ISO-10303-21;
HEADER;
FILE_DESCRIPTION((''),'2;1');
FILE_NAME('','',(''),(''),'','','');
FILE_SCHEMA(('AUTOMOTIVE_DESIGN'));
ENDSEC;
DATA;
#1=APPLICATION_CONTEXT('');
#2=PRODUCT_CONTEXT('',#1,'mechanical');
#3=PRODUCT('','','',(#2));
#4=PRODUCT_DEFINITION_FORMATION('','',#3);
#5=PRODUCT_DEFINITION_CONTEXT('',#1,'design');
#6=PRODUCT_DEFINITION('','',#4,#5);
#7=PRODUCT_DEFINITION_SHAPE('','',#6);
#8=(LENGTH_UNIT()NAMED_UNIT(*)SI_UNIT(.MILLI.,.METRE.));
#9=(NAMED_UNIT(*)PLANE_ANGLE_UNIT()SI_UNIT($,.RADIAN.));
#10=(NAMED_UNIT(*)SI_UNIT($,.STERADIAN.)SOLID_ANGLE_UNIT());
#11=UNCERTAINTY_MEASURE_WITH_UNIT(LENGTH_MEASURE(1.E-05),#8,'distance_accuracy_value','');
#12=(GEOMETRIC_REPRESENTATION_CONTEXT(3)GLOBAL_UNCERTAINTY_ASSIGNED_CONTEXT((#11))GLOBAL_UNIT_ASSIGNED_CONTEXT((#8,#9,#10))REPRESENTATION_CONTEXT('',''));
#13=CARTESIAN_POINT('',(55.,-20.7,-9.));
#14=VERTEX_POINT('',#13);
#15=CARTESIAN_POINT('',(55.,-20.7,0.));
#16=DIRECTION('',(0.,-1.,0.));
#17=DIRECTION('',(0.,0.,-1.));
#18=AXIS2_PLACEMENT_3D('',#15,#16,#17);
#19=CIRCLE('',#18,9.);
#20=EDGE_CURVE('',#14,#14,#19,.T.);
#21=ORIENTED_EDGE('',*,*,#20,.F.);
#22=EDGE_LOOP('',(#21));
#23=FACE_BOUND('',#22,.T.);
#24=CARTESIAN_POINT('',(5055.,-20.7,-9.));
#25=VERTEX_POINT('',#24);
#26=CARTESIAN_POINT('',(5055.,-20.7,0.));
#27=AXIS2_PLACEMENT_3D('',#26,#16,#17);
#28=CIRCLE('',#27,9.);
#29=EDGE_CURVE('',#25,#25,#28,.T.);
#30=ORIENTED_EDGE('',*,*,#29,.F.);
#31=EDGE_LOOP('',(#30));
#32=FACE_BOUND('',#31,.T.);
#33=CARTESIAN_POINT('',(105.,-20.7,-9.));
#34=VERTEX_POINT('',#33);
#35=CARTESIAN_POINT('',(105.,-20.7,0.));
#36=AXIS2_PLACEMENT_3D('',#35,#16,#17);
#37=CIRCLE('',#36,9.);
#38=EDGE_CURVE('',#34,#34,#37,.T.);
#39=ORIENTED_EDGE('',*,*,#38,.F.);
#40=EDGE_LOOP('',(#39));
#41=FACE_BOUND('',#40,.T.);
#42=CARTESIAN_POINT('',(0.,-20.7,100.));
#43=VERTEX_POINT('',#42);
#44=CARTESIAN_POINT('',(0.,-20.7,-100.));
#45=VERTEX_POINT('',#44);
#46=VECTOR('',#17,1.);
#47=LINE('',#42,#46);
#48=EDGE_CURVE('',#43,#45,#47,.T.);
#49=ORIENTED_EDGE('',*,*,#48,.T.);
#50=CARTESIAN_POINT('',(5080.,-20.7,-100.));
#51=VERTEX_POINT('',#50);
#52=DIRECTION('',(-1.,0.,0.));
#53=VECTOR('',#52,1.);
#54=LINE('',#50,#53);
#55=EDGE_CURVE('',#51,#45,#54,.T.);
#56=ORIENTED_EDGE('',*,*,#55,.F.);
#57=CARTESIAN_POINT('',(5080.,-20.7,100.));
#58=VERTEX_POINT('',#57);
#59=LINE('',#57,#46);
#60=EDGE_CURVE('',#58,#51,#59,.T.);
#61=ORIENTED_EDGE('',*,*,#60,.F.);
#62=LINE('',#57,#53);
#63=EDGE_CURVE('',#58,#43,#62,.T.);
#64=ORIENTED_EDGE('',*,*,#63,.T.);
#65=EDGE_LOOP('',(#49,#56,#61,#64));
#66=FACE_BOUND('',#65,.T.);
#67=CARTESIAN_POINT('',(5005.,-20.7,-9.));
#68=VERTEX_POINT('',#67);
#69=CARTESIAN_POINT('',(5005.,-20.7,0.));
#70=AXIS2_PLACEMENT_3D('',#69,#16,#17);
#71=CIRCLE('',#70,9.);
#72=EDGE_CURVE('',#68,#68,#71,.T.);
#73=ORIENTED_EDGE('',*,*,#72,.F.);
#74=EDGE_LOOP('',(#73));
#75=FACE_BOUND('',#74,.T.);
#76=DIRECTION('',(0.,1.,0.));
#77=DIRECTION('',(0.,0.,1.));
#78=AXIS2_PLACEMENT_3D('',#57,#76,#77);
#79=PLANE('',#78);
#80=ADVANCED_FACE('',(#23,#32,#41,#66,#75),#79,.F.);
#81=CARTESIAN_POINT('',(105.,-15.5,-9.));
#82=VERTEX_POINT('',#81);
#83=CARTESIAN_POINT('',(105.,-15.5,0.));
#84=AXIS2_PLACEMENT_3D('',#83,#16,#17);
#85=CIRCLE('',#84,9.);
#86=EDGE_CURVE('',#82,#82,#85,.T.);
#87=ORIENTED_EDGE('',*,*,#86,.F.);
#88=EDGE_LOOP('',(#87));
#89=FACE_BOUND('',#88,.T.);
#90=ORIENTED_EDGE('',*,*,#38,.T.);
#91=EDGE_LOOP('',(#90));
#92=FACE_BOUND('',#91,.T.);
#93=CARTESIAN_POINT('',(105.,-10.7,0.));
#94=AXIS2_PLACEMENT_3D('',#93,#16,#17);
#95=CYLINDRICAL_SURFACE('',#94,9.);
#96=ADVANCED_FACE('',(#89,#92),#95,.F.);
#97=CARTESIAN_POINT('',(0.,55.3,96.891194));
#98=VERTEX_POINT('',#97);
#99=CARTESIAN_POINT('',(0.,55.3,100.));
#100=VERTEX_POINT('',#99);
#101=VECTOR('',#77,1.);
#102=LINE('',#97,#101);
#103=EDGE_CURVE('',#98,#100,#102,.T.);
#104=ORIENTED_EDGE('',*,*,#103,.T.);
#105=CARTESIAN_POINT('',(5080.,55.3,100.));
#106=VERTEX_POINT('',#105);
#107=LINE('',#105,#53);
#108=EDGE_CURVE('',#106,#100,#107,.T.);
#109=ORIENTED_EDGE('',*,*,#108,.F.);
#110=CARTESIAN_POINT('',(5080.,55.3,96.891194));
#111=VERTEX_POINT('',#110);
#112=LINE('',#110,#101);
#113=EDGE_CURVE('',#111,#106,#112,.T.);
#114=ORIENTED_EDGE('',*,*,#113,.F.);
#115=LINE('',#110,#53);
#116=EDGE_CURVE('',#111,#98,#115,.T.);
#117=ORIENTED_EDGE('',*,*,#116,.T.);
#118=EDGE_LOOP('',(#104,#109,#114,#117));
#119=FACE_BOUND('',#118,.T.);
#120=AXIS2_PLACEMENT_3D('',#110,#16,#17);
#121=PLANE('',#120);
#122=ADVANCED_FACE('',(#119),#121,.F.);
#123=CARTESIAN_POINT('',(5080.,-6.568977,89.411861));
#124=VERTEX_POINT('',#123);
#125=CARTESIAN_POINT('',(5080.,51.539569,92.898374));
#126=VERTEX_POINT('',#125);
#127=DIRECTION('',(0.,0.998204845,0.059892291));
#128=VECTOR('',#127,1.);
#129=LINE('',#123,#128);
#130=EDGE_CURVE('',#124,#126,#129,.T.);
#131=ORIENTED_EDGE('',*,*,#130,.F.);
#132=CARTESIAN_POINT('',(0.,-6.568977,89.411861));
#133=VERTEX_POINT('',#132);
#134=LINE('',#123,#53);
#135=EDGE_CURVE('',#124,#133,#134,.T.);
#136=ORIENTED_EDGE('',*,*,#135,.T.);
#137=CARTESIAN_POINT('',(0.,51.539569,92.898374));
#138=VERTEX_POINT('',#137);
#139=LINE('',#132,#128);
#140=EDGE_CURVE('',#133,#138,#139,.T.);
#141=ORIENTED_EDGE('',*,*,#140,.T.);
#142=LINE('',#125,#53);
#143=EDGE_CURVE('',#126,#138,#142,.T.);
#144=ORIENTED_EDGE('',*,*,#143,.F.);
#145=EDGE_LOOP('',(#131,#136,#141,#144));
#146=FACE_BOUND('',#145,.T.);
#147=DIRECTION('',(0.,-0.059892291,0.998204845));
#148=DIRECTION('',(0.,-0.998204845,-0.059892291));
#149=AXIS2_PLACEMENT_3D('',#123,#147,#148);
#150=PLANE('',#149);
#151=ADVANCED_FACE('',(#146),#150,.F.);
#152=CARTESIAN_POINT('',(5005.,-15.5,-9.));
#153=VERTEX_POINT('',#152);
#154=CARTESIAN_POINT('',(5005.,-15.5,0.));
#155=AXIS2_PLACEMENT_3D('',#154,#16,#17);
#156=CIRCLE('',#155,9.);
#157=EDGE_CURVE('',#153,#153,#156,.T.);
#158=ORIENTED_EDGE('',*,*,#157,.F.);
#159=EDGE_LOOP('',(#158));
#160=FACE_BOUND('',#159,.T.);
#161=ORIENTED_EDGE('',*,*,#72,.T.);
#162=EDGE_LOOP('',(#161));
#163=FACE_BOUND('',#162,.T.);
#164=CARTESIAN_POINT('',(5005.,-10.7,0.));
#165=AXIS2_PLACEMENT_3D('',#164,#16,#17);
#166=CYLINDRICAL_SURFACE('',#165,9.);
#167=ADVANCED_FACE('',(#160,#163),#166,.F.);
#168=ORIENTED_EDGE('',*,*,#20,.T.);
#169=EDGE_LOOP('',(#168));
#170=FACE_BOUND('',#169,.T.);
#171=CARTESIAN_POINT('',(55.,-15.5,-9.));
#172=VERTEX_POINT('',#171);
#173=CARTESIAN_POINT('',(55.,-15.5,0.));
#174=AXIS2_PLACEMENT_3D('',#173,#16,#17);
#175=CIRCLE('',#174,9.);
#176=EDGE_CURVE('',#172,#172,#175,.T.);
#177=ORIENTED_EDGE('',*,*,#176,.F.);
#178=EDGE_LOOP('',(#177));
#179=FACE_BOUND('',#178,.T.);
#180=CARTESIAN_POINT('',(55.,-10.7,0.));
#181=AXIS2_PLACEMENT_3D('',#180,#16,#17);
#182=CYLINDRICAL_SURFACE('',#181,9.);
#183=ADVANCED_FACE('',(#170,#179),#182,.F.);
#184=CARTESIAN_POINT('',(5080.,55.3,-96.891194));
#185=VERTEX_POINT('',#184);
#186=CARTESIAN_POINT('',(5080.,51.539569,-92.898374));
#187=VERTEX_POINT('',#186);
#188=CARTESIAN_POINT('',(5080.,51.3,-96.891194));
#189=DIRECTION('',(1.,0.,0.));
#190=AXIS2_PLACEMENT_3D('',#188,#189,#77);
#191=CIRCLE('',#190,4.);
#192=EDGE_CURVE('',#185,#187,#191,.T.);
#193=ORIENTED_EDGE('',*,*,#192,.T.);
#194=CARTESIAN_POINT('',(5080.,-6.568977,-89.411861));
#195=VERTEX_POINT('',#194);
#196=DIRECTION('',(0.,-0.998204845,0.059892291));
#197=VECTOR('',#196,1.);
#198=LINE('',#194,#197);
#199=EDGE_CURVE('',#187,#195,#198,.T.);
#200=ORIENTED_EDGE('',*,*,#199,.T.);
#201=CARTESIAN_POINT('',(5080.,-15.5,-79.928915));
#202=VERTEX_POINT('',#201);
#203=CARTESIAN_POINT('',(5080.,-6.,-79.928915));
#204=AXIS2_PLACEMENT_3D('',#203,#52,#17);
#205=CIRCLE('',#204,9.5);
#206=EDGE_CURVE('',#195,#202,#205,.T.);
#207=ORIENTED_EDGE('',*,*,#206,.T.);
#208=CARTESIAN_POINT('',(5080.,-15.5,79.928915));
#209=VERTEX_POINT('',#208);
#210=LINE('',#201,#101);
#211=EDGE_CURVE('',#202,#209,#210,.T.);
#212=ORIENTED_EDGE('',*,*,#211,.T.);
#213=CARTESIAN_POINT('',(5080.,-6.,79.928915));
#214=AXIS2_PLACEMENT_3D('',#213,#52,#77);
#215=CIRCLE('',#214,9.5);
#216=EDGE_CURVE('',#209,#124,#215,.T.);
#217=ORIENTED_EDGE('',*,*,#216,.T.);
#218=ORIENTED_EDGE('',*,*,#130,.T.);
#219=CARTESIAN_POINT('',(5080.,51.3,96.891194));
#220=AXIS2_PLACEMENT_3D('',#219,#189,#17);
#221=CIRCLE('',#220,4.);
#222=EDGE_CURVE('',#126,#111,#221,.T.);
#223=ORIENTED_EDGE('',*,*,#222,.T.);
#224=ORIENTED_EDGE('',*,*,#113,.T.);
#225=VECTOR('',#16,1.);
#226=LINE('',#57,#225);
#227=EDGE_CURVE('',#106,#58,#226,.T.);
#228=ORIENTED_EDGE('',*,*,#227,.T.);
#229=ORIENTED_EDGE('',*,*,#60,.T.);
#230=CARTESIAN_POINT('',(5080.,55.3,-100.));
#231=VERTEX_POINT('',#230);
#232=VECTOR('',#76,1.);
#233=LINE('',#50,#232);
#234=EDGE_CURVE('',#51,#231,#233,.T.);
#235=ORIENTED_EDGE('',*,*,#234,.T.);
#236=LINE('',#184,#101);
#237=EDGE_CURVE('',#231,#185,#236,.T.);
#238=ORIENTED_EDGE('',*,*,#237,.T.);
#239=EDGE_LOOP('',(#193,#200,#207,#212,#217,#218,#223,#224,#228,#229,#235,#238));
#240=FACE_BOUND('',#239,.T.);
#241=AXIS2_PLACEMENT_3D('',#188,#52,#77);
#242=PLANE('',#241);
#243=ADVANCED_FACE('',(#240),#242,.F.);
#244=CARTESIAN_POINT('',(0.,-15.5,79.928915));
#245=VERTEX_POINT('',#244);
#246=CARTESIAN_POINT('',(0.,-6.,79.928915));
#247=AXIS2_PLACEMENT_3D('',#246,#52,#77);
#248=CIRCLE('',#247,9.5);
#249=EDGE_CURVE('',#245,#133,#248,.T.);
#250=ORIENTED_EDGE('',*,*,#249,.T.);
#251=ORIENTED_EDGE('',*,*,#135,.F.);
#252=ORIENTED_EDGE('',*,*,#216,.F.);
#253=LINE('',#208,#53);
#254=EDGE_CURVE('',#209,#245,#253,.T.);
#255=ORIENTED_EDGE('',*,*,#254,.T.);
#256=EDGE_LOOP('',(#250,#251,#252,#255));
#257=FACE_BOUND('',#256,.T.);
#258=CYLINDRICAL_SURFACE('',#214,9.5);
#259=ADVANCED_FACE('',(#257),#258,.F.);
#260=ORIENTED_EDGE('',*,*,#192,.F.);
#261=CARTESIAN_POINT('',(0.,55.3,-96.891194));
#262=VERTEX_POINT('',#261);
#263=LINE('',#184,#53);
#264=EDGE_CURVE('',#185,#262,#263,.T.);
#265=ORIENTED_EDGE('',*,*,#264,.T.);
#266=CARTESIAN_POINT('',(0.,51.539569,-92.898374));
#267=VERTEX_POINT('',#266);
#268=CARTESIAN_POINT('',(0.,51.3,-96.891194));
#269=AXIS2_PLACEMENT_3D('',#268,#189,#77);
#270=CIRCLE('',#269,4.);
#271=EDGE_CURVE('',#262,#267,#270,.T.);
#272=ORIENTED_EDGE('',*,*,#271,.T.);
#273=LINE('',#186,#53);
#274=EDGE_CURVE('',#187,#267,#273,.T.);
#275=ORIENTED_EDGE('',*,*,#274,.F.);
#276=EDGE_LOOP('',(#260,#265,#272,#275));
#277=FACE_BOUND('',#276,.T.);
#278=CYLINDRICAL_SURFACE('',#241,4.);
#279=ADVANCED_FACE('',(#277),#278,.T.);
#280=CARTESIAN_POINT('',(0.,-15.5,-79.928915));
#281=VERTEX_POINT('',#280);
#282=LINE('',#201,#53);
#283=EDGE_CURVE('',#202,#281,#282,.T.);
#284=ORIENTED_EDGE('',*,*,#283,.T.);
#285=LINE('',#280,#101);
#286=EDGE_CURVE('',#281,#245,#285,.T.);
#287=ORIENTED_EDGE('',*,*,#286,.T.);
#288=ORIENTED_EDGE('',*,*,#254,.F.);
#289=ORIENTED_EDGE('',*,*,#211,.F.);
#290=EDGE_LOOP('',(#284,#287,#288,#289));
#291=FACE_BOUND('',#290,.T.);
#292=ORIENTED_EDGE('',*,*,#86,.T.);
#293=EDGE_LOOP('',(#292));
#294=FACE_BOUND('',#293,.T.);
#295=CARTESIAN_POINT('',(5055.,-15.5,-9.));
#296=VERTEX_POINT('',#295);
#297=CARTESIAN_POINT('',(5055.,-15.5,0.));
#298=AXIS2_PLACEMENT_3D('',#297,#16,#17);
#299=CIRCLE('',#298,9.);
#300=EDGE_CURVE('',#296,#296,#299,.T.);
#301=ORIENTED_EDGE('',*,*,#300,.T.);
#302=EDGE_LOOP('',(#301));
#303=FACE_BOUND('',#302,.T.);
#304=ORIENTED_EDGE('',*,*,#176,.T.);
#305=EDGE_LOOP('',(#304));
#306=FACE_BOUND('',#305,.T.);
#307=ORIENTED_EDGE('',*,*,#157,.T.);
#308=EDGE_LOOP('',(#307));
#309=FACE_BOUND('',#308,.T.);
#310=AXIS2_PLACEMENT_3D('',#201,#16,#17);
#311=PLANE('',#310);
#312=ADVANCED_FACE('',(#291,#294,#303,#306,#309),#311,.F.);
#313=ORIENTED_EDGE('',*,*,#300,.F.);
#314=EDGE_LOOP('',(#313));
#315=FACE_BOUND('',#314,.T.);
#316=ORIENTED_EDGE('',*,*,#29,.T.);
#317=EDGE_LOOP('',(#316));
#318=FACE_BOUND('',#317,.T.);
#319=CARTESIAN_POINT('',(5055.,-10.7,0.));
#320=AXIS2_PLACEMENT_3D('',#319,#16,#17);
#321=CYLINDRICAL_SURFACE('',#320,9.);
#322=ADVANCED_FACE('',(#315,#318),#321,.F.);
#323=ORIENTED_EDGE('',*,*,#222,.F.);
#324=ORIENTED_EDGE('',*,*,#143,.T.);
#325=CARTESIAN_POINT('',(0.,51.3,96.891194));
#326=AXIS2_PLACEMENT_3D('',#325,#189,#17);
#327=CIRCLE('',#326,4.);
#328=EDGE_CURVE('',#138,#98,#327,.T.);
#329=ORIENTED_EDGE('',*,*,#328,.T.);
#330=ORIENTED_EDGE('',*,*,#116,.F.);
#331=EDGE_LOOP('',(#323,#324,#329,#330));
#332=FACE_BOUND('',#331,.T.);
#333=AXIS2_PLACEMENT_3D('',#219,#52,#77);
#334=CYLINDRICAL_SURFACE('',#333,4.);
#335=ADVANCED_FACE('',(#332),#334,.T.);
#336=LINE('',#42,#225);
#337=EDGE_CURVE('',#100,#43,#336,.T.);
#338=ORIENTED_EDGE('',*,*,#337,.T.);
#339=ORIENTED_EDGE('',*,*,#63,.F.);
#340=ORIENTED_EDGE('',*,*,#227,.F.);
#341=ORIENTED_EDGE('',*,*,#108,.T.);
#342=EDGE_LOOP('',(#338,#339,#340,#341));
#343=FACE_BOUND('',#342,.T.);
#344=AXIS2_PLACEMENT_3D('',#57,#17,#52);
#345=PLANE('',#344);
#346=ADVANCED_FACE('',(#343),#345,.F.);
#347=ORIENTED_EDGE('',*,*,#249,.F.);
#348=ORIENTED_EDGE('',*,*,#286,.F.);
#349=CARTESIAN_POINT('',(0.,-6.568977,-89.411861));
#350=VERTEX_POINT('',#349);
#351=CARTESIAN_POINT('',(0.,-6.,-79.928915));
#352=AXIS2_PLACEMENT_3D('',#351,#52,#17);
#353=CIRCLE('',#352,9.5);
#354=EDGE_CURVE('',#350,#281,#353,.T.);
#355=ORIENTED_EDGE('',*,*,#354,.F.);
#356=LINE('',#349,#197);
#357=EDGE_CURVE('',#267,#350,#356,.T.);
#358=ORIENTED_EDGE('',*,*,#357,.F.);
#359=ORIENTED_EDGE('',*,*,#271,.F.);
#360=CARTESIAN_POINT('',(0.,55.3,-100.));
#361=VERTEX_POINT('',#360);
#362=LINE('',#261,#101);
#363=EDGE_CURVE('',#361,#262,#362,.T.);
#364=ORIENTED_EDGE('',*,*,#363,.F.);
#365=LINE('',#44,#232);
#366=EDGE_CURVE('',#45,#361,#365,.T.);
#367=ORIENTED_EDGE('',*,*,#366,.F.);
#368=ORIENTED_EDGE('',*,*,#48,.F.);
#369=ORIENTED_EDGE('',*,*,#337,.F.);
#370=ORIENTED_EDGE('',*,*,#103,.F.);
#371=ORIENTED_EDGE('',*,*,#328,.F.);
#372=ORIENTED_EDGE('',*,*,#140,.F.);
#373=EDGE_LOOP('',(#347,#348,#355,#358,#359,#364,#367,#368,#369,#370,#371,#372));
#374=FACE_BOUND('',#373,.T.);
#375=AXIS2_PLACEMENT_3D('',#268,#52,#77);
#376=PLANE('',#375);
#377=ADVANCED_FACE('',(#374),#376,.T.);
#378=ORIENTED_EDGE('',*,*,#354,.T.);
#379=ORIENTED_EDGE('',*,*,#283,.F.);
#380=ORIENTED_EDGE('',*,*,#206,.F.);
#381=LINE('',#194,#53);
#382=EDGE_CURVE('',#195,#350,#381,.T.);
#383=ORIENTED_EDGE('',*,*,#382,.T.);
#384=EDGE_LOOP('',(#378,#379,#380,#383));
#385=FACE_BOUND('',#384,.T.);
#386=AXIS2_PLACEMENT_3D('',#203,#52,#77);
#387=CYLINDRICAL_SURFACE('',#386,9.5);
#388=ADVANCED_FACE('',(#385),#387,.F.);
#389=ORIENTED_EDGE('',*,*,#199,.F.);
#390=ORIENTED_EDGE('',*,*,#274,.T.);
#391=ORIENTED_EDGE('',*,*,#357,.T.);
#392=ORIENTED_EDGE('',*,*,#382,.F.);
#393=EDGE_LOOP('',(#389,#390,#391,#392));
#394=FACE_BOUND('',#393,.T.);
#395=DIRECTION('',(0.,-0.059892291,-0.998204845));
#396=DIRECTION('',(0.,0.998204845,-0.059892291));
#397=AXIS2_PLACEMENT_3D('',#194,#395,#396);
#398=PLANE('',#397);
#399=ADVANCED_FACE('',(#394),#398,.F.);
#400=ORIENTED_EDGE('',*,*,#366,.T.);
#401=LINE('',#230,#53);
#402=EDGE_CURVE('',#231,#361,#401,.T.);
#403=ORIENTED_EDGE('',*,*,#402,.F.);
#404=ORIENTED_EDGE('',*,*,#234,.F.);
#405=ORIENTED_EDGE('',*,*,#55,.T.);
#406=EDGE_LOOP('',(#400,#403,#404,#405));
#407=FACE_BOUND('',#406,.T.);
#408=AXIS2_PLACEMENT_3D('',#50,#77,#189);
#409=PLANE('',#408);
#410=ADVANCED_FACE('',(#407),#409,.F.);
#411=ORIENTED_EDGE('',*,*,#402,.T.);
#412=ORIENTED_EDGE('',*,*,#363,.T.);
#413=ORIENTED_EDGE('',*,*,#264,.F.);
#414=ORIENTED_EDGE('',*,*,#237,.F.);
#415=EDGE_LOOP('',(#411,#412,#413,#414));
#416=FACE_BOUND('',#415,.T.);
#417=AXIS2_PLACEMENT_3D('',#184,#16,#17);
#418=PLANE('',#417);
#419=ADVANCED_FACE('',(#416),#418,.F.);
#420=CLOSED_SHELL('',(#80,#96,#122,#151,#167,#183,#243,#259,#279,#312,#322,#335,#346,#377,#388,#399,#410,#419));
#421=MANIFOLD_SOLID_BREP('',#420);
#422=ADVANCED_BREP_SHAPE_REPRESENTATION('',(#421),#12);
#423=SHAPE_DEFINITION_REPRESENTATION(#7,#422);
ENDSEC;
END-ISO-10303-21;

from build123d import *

# Parameters (mm, degrees)
MEMBER_8240_89_20_1_DEPTH = 5080
SKETCH_3_R                = 9
CUT_EXTRUDE_1_DEPTH       = 10


with BuildPart() as part:
    # Sketch1 → Member 8240-89 _ _ 20_1 (new body)
    with BuildSketch(Plane.YZ):
        with BuildLine():
            Line((-15.5, -79.928915362), (-15.5, 79.928915362))
            ThreePointArc((-15.5, 79.928915362), (-12.915753004, 86.442160359), (-6.568976762, 89.411861394))
            Line((-6.568976762, 89.411861394), (51.539569163, 92.89837415))
            ThreePointArc((51.539569163, 92.89837415), (54.211896002, 94.148774586), (55.3, 96.891193532))
            Line((55.3, 96.891193532), (55.3, 100))
            Line((55.3, 100), (-20.7, 100))
            Line((-20.7, 100), (-20.7, -100))
            Line((-20.7, -100), (55.3, -100))
            Line((55.3, -100), (55.3, -96.891193532))
            ThreePointArc((55.3, -96.891193532), (54.211896002, -94.148774586), (51.539569163, -92.89837415))
            Line((51.539569163, -92.89837415), (-6.568976762, -89.411861394))
            ThreePointArc((-6.568976762, -89.411861394), (-12.915753004, -86.442160359), (-15.5, -79.928915362))
        make_face()
    extrude(amount=MEMBER_8240_89_20_1_DEPTH)

    # Эскиз3 → Вырез-Вытянуть1 (cut)
    with BuildSketch(Plane.XZ.offset(20.7)):
        with Locations(Location((55, 0, 0), (0, 0, 270))):
            Circle(SKETCH_3_R)
        with Locations(Location((105, 0, 0), (0, 0, 270))):
            Circle(SKETCH_3_R)
        with Locations(Location((5005, 0, 0), (0, 0, 270))):
            Circle(SKETCH_3_R)
        with Locations(Location((5055, 0, 0), (0, 0, 270))):
            Circle(SKETCH_3_R)
    extrude(amount=-CUT_EXTRUDE_1_DEPTH, mode=Mode.SUBTRACT)


solid = part.part
